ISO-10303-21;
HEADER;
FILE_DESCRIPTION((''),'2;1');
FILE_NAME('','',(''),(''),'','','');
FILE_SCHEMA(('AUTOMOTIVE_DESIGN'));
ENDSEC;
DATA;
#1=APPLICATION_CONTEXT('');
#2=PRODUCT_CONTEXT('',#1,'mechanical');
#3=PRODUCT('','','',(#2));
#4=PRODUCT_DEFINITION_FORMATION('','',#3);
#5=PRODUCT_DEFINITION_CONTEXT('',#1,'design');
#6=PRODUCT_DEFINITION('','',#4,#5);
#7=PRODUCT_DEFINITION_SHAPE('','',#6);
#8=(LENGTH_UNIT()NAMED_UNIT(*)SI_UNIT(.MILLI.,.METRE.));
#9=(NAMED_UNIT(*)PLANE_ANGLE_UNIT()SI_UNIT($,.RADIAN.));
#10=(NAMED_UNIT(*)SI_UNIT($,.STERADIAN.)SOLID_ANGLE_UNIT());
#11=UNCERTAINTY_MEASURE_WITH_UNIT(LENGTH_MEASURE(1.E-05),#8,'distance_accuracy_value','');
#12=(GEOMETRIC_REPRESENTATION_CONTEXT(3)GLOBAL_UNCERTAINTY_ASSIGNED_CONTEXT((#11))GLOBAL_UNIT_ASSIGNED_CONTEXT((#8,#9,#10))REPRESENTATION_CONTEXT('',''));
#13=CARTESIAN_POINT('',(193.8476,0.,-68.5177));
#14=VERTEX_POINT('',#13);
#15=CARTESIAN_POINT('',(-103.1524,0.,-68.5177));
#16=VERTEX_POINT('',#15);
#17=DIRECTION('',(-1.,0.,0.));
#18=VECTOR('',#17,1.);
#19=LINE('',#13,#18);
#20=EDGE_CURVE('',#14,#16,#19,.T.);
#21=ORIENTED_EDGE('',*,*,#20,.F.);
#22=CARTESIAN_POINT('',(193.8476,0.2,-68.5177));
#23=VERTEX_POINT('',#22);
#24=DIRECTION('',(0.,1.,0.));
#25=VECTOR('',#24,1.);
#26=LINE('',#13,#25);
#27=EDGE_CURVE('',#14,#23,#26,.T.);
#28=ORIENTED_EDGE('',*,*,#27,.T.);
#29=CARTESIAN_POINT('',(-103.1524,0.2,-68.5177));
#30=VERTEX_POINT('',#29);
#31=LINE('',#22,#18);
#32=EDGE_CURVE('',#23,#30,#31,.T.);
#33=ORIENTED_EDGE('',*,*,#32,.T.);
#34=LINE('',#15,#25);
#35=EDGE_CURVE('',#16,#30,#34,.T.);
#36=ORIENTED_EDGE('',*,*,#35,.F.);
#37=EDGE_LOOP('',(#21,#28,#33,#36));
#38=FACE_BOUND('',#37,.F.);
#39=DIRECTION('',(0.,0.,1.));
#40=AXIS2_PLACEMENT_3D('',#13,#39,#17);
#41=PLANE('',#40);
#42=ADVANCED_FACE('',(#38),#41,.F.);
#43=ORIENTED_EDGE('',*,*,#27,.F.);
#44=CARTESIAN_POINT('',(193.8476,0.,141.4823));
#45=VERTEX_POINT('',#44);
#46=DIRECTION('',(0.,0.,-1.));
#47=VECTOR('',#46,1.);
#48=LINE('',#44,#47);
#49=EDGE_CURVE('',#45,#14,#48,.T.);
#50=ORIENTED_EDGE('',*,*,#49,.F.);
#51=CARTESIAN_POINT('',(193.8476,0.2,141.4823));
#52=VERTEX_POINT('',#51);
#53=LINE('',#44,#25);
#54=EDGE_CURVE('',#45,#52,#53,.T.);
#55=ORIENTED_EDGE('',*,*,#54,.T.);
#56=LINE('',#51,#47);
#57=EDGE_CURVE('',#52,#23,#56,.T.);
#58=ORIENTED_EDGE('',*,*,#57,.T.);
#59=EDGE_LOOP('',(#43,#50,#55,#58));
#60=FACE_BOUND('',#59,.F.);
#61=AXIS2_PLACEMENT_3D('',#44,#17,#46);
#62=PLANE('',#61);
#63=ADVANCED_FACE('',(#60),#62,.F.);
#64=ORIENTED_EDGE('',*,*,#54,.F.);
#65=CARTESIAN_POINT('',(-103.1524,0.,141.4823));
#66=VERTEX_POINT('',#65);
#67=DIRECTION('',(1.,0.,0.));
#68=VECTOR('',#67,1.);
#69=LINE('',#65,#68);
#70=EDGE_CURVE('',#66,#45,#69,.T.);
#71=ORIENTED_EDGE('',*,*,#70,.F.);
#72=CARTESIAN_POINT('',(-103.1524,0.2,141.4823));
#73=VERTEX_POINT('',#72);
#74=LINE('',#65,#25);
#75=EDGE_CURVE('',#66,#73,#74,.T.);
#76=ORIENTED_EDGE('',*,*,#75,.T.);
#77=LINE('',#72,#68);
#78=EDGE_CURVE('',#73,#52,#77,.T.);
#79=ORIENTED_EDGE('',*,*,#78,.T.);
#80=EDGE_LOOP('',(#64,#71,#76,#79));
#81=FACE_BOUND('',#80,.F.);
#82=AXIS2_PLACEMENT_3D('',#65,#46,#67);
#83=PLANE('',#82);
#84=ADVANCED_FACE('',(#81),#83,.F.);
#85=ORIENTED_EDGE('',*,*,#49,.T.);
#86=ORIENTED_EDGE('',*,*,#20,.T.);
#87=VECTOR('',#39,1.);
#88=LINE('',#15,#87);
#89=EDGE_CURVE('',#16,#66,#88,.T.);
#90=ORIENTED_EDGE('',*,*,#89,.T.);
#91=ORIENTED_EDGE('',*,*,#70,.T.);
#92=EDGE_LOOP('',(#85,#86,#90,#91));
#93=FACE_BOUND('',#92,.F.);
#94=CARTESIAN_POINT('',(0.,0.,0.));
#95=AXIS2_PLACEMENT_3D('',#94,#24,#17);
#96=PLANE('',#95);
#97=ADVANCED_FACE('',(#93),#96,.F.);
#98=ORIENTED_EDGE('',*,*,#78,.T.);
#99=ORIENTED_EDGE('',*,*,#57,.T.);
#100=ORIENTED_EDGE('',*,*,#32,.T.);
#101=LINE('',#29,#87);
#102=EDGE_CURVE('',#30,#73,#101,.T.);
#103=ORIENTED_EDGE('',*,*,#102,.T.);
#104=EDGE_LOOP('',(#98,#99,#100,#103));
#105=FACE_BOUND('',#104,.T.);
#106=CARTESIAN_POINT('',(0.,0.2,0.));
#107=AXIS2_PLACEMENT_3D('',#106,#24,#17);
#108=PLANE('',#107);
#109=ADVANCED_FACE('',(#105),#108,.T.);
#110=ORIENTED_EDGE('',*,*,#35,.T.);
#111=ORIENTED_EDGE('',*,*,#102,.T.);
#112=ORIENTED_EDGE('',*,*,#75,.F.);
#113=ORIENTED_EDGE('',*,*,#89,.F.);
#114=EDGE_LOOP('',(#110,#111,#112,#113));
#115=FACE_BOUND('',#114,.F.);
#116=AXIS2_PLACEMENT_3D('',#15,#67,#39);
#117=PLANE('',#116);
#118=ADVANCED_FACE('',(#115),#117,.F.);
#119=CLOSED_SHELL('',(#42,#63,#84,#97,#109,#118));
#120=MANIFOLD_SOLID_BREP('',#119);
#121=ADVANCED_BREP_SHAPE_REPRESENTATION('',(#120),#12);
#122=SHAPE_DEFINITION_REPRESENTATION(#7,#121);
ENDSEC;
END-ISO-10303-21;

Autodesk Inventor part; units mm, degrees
ref_plane "YZ Plane" through (0, 0, 0) normal (1, 0, 0) x (0, 1, 0)
ref_plane "XZ Plane" through (0, 0, 0) normal (0, 1, 0) x (-1, 0, 0)
ref_plane "XY Plane" through (0, 0, 0) normal (0, 0, 1) x (1, 0, 0)
sketch "Sketch1" plane through (0, 0, 0) normal (0, 1, 0) x (-1, 0, 0)
  line L0 (103.1524, 141.4823) -> (-193.8476, 141.4823)
  line L1 (-193.8476, 141.4823) -> (-193.8476, -68.5177)
  line L2 (-193.8476, -68.5177) -> (103.1524, -68.5177)
  line L3 (103.1524, -68.5177) -> (103.1524, 141.4823)
  point P0 (0, 0)
  dimension "d0" = 210
  dimension "d1" = 297
extrude "Extrusion1" add sketch "Sketch1" along normal blind 0.2
properties part number "A4-paper"
